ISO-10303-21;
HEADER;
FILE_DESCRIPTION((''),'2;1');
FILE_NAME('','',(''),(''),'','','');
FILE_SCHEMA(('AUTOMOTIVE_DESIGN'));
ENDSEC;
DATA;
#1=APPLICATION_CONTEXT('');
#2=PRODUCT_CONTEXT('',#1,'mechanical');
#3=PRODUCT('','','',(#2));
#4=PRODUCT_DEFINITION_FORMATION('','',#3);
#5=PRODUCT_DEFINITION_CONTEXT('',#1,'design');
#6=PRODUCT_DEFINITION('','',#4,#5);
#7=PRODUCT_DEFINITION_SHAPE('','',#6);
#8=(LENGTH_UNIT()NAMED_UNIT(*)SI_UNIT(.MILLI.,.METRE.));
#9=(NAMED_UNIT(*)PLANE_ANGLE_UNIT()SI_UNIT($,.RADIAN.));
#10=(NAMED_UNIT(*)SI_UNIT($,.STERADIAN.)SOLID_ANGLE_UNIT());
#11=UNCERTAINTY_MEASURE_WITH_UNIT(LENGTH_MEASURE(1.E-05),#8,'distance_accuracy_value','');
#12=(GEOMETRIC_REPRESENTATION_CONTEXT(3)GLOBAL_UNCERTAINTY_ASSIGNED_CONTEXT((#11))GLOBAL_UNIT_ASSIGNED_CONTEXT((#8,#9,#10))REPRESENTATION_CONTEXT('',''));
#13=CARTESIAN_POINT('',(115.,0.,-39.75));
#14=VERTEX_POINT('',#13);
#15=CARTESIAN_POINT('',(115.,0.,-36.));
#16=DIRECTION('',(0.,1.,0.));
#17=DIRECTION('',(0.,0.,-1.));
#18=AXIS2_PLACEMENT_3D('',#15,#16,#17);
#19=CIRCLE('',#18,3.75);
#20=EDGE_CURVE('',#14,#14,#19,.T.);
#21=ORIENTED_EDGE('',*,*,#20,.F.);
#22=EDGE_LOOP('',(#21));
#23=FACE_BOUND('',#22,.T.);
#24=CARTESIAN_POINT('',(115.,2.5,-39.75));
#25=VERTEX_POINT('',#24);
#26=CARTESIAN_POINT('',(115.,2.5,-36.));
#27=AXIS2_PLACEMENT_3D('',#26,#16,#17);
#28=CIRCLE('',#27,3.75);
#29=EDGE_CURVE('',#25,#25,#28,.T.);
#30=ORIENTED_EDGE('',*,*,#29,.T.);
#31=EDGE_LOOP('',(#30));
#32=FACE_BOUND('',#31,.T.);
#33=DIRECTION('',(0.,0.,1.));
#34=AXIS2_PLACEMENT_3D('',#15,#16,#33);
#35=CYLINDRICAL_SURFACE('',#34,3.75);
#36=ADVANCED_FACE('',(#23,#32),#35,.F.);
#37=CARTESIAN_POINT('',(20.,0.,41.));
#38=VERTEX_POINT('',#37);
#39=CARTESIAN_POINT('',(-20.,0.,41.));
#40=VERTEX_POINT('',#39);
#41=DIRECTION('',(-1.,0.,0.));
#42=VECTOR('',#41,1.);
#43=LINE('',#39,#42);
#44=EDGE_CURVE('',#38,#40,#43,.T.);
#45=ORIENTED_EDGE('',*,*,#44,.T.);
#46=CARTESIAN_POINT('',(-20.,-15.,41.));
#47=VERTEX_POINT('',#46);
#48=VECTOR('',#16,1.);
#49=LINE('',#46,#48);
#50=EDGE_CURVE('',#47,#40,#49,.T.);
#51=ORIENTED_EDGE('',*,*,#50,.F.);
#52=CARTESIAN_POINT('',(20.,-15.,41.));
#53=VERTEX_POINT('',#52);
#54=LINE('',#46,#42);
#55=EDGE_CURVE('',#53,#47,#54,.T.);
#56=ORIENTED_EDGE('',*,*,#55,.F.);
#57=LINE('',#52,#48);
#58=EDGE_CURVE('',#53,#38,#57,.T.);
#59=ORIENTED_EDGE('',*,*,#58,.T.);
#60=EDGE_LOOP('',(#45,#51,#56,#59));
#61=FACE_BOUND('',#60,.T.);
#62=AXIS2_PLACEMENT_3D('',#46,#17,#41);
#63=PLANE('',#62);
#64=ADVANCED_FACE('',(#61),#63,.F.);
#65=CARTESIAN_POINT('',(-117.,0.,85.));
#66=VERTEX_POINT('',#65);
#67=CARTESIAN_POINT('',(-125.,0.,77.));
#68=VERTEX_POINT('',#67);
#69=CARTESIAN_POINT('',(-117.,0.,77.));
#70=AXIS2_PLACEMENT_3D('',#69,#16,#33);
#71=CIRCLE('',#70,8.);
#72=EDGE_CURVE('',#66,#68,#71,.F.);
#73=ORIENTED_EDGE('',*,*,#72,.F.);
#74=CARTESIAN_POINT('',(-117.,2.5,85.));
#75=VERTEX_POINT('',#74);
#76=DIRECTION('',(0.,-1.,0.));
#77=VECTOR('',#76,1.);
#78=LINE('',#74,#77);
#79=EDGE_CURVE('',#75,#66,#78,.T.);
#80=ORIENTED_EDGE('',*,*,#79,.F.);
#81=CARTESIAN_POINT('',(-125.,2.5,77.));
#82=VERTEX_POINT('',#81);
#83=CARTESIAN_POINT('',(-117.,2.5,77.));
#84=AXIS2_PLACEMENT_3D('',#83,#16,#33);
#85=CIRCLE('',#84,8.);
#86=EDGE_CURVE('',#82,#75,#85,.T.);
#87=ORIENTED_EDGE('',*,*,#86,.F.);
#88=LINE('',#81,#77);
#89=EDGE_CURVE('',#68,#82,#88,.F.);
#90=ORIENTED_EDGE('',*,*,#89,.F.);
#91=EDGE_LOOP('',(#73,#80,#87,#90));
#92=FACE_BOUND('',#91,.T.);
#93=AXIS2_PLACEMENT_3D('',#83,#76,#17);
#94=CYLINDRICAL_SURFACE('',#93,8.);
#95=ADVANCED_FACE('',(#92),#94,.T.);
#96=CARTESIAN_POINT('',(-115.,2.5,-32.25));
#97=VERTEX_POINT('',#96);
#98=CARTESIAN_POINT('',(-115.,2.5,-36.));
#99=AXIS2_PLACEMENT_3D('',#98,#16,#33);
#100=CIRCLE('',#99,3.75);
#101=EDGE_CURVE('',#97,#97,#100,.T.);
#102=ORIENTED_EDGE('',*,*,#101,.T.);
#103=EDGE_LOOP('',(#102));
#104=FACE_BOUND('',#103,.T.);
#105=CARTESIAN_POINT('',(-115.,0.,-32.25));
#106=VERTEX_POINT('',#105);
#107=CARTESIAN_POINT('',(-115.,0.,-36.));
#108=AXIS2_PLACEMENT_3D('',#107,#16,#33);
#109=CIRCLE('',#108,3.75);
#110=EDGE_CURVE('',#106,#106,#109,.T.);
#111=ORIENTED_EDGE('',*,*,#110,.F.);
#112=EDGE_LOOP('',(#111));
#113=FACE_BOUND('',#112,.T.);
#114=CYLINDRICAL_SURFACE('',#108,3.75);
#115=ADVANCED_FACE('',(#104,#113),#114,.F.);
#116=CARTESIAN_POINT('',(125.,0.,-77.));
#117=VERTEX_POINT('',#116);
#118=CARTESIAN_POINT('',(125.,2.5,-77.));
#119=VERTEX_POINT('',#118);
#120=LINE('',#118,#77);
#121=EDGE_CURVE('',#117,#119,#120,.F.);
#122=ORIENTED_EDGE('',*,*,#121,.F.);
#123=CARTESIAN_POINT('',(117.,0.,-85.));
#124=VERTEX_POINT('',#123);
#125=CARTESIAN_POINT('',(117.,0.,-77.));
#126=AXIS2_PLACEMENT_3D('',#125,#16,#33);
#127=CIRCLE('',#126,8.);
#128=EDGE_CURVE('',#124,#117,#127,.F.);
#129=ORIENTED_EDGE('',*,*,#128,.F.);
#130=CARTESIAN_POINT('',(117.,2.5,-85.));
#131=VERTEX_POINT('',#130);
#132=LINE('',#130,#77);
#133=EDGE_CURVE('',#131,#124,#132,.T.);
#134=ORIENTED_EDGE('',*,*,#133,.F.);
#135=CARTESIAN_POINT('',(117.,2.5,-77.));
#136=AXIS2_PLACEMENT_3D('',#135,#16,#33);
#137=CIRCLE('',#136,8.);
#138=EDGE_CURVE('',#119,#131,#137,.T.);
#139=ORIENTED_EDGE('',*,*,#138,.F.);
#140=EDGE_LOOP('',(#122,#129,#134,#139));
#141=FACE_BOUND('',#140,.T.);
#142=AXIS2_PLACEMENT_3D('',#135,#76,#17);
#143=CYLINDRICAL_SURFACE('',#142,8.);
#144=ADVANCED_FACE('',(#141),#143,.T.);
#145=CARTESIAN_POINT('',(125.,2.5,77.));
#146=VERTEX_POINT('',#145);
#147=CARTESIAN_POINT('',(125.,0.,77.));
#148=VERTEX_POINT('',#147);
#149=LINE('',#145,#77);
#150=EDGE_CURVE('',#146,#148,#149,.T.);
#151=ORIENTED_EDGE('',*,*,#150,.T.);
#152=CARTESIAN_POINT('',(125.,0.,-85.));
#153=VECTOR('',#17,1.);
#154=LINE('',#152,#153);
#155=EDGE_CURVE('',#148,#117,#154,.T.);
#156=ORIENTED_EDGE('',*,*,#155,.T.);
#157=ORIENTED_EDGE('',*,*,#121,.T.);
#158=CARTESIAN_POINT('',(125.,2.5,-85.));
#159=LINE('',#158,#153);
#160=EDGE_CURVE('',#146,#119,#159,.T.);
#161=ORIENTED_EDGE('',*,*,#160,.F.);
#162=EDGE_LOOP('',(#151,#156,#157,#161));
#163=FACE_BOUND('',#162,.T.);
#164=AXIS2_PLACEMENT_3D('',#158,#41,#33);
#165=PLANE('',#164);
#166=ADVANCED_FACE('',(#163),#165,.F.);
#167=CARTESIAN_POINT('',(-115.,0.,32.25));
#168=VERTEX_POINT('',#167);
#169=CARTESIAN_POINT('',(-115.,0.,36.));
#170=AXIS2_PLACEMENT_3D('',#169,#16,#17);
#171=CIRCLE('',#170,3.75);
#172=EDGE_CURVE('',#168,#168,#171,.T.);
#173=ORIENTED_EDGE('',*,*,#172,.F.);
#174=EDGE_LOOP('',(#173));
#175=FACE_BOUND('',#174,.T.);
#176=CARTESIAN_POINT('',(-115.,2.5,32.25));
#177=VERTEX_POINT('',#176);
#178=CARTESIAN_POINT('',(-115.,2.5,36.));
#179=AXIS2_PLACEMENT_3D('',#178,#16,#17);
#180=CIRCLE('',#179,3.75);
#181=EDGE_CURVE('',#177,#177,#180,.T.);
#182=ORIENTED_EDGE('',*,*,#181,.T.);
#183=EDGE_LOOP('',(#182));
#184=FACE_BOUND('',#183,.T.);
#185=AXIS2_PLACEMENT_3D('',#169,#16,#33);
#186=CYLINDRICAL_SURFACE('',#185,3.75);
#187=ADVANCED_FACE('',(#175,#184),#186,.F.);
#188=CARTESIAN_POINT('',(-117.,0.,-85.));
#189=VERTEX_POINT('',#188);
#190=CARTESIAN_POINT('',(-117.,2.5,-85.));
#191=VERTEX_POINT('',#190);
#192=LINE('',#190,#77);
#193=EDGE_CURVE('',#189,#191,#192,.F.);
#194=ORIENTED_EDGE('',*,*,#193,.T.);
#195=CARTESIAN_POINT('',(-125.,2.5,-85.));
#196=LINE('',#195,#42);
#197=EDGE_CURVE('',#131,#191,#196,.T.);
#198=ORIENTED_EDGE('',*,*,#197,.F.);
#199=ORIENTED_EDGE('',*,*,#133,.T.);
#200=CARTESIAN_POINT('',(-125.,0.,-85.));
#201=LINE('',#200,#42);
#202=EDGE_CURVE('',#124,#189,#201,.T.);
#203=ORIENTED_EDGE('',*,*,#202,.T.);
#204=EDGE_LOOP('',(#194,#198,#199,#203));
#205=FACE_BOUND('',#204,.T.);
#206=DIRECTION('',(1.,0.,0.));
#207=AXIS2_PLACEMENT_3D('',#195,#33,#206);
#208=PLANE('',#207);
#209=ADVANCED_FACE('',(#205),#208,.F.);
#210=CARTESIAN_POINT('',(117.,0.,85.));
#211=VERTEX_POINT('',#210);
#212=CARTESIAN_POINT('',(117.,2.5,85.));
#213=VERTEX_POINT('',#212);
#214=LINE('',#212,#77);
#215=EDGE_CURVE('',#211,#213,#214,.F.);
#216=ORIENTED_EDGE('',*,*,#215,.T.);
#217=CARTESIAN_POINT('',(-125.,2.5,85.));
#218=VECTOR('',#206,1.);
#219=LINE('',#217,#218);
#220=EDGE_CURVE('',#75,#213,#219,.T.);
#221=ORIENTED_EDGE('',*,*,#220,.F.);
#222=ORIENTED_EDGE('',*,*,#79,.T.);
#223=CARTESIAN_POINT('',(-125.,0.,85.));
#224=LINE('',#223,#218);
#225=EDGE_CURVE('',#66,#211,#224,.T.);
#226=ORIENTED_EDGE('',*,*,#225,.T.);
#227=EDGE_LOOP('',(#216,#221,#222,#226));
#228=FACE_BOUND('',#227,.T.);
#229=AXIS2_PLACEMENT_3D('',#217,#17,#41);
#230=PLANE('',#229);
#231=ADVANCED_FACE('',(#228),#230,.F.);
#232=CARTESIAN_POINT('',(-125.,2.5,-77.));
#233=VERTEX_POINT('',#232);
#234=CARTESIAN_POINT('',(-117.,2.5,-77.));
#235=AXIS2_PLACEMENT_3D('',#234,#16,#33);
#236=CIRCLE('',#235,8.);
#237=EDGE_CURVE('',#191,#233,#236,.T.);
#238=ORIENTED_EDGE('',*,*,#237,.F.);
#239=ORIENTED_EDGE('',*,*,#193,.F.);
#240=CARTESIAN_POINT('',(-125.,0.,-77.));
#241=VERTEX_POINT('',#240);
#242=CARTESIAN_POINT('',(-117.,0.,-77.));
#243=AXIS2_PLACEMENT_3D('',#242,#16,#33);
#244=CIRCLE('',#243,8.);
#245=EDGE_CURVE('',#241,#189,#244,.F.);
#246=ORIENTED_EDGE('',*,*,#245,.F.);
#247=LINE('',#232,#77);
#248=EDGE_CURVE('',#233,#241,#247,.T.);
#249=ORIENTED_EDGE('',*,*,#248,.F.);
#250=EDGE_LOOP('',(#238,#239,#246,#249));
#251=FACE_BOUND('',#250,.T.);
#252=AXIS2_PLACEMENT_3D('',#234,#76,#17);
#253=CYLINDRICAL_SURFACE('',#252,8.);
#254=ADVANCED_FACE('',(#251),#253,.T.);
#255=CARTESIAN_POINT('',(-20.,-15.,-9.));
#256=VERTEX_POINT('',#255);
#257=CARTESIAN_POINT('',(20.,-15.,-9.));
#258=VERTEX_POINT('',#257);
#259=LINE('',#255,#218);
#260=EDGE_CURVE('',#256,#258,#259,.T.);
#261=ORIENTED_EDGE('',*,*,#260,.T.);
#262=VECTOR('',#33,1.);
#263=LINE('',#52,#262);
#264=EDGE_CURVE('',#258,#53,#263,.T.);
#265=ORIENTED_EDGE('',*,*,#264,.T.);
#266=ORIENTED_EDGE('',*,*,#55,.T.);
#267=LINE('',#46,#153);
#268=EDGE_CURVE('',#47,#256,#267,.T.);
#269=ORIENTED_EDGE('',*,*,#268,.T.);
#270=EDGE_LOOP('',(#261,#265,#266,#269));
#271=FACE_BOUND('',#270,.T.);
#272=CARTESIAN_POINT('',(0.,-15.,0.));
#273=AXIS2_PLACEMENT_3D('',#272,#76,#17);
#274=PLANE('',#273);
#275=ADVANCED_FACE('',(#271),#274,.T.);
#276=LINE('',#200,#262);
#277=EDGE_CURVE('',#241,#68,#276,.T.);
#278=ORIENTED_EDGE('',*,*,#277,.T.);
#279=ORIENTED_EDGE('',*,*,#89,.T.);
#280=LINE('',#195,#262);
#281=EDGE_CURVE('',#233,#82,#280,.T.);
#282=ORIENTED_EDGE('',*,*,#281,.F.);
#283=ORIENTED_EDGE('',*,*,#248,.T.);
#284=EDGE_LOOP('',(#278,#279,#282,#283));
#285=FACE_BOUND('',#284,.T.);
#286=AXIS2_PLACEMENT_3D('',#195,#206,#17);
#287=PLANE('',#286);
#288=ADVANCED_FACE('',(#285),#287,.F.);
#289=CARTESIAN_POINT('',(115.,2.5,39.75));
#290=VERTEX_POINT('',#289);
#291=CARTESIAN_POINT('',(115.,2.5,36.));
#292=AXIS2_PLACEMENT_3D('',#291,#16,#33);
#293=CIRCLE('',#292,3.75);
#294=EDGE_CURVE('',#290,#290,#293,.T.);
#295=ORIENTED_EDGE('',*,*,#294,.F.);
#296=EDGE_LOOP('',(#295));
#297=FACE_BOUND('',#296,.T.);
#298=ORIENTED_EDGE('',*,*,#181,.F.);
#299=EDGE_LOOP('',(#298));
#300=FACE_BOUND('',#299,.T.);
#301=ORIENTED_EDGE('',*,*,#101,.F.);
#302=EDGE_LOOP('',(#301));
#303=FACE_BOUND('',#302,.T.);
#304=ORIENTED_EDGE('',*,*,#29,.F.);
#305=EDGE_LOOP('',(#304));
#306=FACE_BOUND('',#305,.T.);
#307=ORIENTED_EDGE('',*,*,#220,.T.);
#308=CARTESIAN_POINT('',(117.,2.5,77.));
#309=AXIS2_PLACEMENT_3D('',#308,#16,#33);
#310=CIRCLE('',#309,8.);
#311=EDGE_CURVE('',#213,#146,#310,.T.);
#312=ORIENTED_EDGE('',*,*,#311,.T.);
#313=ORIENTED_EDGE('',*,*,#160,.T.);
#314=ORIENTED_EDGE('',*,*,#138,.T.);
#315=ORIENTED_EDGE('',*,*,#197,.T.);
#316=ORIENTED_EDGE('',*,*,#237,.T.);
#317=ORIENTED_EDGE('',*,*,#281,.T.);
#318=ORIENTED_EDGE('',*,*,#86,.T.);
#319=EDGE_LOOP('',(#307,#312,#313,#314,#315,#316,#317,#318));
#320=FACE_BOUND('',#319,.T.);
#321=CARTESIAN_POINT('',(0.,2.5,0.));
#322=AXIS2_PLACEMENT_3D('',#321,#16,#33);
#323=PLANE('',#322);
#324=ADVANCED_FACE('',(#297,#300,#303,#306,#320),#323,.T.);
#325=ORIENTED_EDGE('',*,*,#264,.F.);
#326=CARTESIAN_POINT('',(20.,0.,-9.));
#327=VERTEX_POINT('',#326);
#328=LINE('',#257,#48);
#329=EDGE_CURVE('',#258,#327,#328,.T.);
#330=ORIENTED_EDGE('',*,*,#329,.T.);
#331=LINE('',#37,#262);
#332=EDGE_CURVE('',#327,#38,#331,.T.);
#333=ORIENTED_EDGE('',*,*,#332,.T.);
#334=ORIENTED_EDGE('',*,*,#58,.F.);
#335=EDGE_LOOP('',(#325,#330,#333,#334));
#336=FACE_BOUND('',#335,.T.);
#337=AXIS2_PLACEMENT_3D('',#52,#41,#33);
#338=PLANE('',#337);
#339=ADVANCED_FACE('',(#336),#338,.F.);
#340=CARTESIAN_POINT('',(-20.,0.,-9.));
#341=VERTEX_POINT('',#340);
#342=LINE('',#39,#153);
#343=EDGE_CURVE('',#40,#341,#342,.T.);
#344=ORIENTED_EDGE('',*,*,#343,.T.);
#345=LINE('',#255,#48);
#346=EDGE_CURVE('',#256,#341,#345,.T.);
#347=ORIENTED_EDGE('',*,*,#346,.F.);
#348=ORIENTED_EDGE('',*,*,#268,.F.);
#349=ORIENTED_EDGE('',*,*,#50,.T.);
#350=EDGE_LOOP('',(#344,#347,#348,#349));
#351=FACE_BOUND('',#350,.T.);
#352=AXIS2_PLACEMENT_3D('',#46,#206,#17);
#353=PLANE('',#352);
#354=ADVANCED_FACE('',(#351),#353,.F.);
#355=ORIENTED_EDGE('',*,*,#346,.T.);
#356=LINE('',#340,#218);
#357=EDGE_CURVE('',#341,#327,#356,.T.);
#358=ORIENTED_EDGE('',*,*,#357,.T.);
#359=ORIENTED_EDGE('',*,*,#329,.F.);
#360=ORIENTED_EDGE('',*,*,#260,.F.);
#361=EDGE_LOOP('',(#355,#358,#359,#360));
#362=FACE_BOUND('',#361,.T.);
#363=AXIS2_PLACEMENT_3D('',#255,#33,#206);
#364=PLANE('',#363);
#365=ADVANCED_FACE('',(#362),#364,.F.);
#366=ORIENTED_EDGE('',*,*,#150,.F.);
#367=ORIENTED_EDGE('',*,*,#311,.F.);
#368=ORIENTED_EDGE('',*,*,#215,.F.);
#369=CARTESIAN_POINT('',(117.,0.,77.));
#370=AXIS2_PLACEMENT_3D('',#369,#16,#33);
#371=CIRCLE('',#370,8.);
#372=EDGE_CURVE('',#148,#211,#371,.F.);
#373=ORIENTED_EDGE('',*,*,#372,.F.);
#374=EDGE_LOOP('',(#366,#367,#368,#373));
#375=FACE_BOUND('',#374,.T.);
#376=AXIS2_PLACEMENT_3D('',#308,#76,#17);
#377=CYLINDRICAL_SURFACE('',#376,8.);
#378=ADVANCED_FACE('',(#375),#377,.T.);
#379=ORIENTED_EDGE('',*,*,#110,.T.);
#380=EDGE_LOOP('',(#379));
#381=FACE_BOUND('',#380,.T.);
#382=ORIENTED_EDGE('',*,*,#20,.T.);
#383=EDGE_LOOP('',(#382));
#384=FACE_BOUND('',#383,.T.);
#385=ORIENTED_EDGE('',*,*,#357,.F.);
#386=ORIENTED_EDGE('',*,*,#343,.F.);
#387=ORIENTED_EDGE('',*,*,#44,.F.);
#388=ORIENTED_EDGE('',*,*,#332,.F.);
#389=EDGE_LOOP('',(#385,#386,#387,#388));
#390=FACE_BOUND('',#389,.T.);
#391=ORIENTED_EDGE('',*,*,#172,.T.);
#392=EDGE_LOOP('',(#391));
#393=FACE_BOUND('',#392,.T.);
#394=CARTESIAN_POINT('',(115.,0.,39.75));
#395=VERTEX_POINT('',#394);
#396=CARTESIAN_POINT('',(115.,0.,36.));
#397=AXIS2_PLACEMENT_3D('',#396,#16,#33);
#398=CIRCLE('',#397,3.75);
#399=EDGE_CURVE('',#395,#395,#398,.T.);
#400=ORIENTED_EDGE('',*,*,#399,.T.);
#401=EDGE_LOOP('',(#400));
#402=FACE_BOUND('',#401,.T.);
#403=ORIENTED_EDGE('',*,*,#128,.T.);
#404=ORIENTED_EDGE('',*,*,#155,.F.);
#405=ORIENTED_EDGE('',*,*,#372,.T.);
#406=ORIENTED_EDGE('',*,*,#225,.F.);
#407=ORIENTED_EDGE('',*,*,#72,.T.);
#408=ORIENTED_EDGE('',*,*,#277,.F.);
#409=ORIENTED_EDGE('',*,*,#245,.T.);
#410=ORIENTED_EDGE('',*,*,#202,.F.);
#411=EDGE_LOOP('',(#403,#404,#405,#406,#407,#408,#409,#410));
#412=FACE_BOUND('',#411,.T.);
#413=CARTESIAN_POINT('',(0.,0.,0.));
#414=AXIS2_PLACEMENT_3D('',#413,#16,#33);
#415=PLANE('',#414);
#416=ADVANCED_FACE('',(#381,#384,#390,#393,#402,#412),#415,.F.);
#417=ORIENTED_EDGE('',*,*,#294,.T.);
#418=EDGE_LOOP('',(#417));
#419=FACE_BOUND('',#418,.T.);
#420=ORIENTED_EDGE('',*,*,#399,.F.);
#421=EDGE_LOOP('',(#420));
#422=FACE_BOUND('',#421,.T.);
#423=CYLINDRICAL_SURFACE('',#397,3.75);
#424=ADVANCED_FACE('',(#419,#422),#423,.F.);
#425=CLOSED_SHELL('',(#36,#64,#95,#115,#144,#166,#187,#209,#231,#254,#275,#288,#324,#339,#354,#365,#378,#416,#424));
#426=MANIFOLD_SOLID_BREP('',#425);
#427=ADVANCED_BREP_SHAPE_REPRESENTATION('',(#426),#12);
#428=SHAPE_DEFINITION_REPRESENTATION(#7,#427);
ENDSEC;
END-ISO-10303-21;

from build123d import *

# Parameters (mm, degrees)
SKETCH1_W           = 250
SKETCH1_H           = 170
BOSS_EXTRUDE1_DEPTH = 2.5
SKETCH2_R           = 3.75
CUT_EXTRUDE1_DEPTH  = 3.5
FILLET1_R           = 8
SKETCH4_W           = 40
SKETCH4_H           = 50
BOSS_EXTRUDE2_DEPTH = 15


with BuildPart() as part:
    # Sketch1 → Boss-Extrude1 (new body)
    with BuildSketch(Plane(origin=(0, 0, 0), x_dir=(1, 0, 0), z_dir=(0, 1, 0))):
        Rectangle(SKETCH1_W, SKETCH1_H)
    extrude(amount=BOSS_EXTRUDE1_DEPTH)

    # Sketch2 → Cut-Extrude1 (cut, through all)
    with BuildSketch(Plane(origin=(0, 2.5, 0), x_dir=(1, 0, 0), z_dir=(0, 1, 0))):
        with Locations((-115, 36)):
            Circle(SKETCH2_R)
        with Locations((-115, -36)):
            Circle(SKETCH2_R)
        with Locations((115, -36)):
            Circle(SKETCH2_R)
        with Locations((115, 36)):
            Circle(SKETCH2_R)
    extrude(amount=-CUT_EXTRUDE1_DEPTH, mode=Mode.SUBTRACT)

    # Fillet1
    fillet1_edges = [part.edges().sort_by_distance(p)[0] for p in [
        (-125, 1.25, -85),
        (125, 1.25, -85),
        (125, 1.25, 85),
        (-125, 1.25, 85),
    ]]
    fillet(fillet1_edges, radius=FILLET1_R)

    # Sketch4 → Boss-Extrude2 (add)
    with BuildSketch(Plane.XZ):
        with Locations((0, 16)):
            Rectangle(SKETCH4_W, SKETCH4_H)
    extrude(amount=BOSS_EXTRUDE2_DEPTH)


solid = part.part
